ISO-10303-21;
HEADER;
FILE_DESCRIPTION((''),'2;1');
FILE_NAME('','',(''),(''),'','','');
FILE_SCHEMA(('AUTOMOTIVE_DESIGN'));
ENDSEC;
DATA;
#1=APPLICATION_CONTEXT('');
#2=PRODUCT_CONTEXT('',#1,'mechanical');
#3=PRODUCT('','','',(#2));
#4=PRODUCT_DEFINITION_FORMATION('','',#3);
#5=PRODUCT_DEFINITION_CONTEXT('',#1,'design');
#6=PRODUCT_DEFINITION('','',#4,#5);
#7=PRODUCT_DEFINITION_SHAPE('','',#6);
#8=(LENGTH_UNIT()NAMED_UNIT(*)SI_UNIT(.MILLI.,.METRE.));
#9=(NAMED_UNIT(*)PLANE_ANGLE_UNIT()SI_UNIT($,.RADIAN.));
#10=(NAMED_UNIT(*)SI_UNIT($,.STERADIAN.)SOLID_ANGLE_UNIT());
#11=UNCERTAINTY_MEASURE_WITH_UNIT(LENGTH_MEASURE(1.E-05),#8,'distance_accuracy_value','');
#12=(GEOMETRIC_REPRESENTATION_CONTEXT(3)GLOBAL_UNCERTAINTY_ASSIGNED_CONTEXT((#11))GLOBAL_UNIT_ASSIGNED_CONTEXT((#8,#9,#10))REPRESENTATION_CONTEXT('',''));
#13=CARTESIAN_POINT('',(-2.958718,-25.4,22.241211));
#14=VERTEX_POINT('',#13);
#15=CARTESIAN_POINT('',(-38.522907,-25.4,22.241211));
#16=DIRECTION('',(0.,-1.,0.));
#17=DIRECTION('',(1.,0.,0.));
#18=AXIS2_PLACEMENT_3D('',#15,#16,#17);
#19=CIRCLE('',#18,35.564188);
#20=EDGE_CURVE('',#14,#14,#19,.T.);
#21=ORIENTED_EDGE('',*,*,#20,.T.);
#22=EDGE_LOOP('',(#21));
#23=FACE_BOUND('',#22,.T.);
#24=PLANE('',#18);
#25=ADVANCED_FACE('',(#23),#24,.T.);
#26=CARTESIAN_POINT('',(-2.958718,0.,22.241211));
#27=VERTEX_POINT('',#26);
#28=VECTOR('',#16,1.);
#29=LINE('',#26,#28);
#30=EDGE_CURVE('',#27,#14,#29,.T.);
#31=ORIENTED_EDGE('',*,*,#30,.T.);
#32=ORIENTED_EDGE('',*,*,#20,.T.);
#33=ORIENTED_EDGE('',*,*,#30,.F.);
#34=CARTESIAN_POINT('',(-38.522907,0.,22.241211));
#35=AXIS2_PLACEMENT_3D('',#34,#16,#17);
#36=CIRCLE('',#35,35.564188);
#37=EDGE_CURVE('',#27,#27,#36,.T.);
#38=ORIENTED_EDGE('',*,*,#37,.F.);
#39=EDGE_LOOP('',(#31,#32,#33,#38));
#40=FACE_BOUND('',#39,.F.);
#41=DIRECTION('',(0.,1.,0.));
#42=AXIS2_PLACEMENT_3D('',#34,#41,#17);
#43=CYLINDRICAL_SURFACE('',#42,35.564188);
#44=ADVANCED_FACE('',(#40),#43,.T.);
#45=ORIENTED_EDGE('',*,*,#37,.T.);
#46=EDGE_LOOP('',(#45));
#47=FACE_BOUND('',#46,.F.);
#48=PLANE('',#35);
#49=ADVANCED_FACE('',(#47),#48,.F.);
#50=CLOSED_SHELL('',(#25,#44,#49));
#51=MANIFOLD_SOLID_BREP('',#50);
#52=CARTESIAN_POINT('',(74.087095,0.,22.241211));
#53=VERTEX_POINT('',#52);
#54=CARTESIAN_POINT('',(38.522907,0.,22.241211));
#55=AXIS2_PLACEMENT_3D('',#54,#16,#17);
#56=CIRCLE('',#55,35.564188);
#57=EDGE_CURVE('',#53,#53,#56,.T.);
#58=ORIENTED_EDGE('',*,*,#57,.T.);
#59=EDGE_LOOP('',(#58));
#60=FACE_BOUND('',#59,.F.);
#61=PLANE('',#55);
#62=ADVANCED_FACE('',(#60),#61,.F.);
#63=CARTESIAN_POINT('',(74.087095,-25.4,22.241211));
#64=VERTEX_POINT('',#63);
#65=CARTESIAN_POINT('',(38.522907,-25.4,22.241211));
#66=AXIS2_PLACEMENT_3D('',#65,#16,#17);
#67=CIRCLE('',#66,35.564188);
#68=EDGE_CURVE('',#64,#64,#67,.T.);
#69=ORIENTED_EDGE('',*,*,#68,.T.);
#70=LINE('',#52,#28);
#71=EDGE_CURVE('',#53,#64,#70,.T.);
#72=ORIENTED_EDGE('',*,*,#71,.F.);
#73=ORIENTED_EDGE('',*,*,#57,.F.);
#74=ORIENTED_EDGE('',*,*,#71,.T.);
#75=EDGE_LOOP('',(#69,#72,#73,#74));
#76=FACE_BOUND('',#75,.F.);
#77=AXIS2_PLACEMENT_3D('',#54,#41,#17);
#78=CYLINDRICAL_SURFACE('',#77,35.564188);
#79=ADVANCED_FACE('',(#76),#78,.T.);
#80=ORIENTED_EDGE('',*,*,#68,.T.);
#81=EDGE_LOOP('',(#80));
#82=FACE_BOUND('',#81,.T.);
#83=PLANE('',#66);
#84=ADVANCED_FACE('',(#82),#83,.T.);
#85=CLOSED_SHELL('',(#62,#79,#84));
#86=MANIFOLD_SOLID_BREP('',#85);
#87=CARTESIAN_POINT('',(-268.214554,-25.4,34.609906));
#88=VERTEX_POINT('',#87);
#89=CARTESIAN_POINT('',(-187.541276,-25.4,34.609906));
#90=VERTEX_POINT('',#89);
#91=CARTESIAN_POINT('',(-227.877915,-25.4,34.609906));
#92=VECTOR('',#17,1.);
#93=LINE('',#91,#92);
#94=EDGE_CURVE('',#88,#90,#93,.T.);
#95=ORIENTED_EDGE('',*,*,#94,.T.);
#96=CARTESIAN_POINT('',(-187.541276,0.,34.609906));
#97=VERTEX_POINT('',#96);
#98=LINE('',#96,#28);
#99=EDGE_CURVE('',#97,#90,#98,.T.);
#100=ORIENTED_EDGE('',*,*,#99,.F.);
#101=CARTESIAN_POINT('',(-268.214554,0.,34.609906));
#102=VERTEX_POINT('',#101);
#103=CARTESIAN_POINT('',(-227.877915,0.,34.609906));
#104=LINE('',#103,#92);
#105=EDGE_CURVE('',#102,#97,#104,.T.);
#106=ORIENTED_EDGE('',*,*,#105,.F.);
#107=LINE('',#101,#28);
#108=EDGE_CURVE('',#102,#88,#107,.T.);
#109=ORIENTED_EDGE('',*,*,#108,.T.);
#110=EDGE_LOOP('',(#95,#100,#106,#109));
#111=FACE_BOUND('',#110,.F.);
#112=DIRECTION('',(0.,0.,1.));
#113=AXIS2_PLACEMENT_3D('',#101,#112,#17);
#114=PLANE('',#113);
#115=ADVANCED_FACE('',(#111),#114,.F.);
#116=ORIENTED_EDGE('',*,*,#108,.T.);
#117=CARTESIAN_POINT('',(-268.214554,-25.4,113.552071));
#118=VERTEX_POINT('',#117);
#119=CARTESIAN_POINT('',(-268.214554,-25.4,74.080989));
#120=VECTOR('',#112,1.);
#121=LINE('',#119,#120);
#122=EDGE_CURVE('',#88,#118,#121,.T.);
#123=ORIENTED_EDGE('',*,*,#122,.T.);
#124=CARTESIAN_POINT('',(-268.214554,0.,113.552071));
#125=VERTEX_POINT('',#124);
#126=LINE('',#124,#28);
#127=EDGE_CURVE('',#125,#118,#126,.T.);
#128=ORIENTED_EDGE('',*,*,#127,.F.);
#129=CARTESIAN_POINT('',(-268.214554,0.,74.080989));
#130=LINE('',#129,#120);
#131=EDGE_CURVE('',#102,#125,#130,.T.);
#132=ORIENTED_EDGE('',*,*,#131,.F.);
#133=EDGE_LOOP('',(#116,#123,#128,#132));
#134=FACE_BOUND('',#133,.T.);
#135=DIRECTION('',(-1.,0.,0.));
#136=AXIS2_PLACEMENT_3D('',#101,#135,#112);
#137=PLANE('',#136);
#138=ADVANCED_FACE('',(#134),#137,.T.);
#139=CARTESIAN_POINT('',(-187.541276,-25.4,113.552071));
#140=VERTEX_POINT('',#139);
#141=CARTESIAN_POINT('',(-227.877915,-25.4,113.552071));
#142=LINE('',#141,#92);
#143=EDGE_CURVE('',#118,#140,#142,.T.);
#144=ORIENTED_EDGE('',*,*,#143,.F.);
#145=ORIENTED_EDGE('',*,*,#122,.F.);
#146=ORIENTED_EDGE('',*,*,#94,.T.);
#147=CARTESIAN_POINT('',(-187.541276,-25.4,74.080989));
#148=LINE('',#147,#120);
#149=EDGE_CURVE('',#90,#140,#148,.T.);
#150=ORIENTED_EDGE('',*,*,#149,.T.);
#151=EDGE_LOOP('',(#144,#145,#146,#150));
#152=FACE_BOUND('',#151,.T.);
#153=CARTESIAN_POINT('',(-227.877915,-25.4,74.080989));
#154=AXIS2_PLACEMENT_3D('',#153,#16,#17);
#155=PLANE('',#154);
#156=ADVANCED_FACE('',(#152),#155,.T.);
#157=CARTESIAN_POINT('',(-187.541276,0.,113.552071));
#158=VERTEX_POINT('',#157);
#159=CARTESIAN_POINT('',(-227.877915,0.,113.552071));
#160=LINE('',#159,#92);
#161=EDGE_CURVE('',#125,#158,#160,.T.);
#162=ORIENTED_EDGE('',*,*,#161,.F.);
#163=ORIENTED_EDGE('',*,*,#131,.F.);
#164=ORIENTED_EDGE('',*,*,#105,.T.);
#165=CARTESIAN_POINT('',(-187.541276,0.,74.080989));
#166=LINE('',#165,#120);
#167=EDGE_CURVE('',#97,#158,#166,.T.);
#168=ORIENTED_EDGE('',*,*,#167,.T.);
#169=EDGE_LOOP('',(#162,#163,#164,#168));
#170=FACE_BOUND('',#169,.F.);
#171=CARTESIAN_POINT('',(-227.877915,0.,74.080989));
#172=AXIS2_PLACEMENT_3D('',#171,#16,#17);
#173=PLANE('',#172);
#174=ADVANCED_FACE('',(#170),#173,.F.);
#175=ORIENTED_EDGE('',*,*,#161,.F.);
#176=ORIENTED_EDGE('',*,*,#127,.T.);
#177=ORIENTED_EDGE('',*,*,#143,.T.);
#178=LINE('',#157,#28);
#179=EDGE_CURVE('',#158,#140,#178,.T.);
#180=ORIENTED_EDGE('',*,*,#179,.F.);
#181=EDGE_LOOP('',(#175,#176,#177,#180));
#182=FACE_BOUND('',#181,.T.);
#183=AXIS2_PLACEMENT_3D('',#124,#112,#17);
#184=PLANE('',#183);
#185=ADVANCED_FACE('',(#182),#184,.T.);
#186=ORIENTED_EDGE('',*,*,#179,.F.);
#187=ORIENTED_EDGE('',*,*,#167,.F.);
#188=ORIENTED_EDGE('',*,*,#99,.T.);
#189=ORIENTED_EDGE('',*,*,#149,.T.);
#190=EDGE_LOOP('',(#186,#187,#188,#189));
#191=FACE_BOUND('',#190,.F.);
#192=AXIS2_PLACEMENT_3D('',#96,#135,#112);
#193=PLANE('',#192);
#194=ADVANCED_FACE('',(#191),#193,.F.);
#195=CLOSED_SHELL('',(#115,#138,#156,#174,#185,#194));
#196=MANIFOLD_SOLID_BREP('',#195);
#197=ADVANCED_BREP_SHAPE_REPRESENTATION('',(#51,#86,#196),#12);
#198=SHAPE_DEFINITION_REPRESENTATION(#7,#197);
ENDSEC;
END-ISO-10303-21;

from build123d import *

# Parameters (mm, degrees)
F0_R     = 35.5641883482
F1_DEPTH = 25.4
F3_W     = 80.6732773781
F3_H     = 78.9421647787
F4_DEPTH = 25.4


with BuildPart() as f1:
    # F0 (on Front) → F1 (new body)
    with BuildSketch(Plane.XZ):
        with Locations((-38.5229067204, 22.241210565)):
            Circle(F0_R)
    extrude(amount=F1_DEPTH)


with BuildPart() as f1b:
    # F0 (on Front) → F1, piece 2 (new body)
    with BuildSketch(Plane.XZ):
        with Locations((38.5229067204, 22.241210565)):
            Circle(F0_R)
    extrude(amount=F1_DEPTH)


with BuildPart() as f1c:
    # F0 (on Front) → F1, piece 3 (new body)
    with BuildSketch(Plane.XZ):
        with Locations((0, -44.4824211299)):
            Circle(F0_R)
    extrude(amount=F1_DEPTH)


with BuildPart() as f4:
    # F3 (on Front) → F4 (new body)
    with BuildSketch(Plane.XZ):
        with Locations((-227.8779149055, 74.0809887648)):
            Rectangle(F3_W, F3_H)
    extrude(amount=F4_DEPTH)


solid = Compound([f1.part, f1b.part, f4.part])
